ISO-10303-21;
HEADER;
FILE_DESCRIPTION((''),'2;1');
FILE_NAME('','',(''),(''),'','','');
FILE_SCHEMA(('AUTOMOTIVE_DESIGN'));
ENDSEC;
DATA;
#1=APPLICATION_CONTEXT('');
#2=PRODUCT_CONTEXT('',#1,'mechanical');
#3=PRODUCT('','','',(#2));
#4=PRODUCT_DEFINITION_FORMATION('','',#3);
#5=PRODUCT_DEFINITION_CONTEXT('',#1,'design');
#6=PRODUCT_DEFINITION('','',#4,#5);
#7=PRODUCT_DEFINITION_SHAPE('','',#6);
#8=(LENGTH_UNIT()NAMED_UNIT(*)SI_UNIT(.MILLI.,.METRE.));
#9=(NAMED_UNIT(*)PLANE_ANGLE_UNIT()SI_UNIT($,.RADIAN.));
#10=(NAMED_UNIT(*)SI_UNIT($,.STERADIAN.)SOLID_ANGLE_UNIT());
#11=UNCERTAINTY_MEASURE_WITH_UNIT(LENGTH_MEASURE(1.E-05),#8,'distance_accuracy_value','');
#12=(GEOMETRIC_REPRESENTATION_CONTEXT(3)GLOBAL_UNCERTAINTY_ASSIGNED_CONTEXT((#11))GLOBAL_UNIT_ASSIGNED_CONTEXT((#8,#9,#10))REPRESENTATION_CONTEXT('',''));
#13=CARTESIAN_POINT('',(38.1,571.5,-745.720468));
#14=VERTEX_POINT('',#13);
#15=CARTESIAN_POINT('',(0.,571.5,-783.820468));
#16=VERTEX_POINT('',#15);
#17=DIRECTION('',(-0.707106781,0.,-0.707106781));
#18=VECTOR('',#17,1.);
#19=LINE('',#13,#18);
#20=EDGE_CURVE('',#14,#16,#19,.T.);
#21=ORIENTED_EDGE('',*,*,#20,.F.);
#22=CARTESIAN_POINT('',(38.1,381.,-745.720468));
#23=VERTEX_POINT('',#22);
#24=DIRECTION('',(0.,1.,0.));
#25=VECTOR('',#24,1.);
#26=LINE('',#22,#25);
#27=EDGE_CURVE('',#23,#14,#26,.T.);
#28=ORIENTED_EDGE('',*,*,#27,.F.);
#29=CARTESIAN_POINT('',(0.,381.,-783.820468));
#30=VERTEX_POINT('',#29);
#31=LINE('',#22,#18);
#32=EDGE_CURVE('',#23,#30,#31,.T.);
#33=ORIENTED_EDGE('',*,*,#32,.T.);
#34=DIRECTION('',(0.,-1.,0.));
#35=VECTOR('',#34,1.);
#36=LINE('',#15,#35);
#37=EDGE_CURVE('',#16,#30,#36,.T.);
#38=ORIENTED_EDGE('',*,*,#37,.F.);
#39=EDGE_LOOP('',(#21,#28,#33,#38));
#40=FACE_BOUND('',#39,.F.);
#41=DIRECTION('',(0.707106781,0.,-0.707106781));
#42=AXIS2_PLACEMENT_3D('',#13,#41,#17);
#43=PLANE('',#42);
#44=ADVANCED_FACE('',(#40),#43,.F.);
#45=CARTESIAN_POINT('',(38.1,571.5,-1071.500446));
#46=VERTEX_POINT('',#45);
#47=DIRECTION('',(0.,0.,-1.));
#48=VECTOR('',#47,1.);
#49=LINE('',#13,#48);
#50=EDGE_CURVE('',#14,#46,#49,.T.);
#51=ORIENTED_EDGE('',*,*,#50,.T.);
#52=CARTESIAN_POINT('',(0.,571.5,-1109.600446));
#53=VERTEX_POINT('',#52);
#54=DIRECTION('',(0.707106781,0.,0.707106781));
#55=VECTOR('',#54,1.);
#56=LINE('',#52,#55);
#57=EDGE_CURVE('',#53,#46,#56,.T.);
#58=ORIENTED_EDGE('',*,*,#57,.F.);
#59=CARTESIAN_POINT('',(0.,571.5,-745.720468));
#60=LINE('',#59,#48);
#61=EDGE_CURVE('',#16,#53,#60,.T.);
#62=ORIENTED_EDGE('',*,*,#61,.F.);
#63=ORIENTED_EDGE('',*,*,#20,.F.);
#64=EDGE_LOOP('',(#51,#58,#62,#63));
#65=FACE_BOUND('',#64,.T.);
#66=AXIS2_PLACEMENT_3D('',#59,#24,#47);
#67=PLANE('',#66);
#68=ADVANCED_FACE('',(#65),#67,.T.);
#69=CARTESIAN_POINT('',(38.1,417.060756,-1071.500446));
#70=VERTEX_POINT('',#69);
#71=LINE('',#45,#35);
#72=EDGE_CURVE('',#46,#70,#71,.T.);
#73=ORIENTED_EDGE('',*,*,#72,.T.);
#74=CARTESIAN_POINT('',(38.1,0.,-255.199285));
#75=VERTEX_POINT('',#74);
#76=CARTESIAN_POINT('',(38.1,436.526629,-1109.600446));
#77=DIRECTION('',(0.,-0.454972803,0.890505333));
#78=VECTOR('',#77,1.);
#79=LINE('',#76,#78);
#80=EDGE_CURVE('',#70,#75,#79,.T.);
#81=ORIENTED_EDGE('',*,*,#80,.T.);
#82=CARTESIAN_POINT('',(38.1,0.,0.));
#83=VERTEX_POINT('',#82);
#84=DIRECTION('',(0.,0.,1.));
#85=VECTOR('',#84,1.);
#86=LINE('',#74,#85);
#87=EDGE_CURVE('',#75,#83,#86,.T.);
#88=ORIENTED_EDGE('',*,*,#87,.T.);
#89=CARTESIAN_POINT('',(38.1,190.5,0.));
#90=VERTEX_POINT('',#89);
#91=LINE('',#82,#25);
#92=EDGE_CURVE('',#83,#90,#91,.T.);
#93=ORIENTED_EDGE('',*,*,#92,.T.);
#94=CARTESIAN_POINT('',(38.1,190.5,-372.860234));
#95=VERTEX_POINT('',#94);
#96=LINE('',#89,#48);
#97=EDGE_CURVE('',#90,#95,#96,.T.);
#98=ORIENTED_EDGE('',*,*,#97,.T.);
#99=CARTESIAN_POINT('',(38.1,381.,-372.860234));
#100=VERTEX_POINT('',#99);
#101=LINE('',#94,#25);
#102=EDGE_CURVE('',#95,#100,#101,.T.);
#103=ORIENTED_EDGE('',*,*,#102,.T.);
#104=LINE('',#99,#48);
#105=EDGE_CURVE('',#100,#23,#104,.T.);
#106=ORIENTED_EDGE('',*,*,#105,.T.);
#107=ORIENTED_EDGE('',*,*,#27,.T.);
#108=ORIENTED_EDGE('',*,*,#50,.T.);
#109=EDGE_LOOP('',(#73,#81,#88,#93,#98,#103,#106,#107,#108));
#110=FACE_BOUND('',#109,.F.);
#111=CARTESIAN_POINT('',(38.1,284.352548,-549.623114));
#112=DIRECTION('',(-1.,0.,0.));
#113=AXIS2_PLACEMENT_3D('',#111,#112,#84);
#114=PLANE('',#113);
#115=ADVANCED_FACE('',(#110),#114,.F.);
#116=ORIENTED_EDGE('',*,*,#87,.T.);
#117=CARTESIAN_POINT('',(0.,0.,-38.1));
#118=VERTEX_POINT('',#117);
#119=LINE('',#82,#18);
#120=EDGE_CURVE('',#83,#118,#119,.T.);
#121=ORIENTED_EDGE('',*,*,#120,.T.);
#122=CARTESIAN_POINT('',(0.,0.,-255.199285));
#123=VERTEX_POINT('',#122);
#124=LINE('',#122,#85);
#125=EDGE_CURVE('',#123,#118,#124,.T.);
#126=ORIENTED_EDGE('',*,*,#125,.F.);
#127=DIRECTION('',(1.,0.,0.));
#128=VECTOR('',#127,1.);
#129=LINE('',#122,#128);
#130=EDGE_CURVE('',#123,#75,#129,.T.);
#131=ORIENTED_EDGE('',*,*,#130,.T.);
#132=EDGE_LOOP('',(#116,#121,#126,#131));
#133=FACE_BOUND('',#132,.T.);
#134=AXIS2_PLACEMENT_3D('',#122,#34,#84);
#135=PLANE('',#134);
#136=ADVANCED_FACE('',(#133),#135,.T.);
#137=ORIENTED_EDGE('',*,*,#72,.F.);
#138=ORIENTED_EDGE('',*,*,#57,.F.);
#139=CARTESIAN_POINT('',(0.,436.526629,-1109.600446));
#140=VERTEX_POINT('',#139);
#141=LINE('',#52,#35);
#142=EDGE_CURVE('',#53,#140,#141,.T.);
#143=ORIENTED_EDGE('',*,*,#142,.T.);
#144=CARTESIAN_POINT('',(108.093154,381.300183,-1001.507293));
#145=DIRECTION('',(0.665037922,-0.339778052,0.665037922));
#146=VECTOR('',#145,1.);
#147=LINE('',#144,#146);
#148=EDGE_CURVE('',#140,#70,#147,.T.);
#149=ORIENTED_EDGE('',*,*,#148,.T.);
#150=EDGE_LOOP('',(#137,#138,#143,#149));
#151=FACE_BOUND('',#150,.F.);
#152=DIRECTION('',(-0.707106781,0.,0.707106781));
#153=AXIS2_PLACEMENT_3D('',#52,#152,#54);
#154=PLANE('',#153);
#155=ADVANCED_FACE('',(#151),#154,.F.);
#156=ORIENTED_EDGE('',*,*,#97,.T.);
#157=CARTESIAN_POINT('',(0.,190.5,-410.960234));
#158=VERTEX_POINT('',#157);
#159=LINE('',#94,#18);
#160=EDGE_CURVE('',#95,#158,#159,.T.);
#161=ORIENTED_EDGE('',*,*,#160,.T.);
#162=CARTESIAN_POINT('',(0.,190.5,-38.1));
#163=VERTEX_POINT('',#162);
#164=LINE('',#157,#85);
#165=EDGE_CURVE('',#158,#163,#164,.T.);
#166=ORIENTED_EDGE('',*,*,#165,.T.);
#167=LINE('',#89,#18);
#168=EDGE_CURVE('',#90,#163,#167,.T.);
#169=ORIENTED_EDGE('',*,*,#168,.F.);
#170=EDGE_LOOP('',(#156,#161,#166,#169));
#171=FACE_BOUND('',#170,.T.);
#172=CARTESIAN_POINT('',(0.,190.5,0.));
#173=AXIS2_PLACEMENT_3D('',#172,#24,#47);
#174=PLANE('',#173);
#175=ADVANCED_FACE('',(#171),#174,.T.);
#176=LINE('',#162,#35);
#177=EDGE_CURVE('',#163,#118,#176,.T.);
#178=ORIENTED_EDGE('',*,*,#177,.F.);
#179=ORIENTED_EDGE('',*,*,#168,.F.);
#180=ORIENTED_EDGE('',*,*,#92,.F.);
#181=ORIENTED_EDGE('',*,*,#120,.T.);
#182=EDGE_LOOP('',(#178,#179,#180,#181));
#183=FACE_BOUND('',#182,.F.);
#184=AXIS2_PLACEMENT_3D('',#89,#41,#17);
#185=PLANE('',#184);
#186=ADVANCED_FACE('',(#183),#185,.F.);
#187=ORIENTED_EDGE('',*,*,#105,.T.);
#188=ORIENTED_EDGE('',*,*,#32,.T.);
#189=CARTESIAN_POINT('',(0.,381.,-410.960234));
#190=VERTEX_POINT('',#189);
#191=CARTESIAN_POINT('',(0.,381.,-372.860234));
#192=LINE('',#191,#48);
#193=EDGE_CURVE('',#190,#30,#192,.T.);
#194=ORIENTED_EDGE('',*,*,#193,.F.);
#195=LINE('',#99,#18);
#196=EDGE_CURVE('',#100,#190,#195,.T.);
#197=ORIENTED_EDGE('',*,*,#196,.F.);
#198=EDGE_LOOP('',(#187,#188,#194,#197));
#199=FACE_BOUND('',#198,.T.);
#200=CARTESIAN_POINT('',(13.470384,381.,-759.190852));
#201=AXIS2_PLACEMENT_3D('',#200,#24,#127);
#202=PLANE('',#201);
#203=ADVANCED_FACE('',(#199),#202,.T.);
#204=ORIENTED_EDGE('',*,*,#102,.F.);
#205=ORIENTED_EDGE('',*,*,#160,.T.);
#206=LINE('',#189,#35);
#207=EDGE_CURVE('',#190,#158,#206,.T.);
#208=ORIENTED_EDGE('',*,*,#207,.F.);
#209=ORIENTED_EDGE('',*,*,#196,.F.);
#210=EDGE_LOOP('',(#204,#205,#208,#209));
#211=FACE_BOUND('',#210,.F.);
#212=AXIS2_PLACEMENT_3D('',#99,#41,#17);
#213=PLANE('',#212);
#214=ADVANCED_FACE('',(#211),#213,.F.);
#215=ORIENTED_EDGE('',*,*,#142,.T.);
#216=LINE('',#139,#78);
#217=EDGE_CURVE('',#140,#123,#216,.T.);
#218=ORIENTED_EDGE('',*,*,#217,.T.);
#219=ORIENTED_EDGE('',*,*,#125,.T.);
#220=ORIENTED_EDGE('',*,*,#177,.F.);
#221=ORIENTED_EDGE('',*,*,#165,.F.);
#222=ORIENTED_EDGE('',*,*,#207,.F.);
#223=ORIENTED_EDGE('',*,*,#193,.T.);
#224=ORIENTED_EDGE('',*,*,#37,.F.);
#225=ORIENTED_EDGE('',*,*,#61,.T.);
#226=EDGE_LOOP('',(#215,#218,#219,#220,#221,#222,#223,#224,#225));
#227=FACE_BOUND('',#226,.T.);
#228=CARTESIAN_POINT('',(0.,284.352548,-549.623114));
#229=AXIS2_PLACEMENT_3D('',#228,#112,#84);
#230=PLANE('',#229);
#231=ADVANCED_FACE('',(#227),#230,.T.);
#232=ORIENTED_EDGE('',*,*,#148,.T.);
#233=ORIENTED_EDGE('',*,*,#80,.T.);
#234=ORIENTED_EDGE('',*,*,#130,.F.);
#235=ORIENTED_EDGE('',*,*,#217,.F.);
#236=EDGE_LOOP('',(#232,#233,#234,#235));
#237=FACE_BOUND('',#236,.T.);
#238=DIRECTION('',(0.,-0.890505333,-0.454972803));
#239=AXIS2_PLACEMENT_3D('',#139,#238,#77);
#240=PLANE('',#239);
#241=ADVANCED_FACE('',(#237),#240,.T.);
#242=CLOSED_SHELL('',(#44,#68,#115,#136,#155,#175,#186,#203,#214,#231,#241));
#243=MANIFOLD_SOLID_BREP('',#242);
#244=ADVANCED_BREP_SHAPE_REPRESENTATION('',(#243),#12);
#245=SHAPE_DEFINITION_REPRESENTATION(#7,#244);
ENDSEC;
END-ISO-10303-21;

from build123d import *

# Parameters (mm, degrees)
BOSS_EXTRUDE2_DEPTH = 38.1
CUT_EXTRUDE2_REACH  = 573.5
CUT_EXTRUDE3_DEPTH  = 190.5
CUT_EXTRUDE4_DEPTH  = 190.5
CUT_EXTRUDE5_DEPTH  = 190.5


with BuildPart() as part:
    # Sketch1 → Boss-Extrude2 (new body)
    with BuildSketch(Plane(origin=(0, 0, 0), x_dir=(0, 0, -1), z_dir=(1, 0, 0))):
        Polygon((0, 0), (0, 190.5), (372.860234147, 190.5), (372.860234147, 381), (745.720468294, 381), (745.720468294, 571.5), (1109.600446319, 571.5), (1109.600446319, 436.526629402), (255.199284902, 0), align=None)
    extrude(amount=BOSS_EXTRUDE2_DEPTH)

    # Cut-Extrude2: up to this face of the body (flat: up to its plane)
    cut_extrude2_end = Plane(part.part.faces().sort_by_distance((19.05, 218.263314701, -682.399865611))[0])
    # Sketch2 → Cut-Extrude2 (cut, up to the picked face)
    with BuildSketch(Plane(origin=(0, 571.5, 0), x_dir=(1, 0, 0), z_dir=(0, 1, 0)), mode=Mode.PRIVATE) as cut_extrude2_sk1:
        Polygon((38.1, 1109.600446319), (0, 1109.600446319), (38.1, 1071.500446319), align=None)
    cut_extrude2_tool1 = split(extrude(cut_extrude2_sk1.sketch, amount=-CUT_EXTRUDE2_REACH, mode=Mode.PRIVATE), bisect_by=cut_extrude2_end, keep=Keep.BOTH, mode=Mode.PRIVATE)
    add(cut_extrude2_tool1.solids().sort_by_distance((25.4, 571.5, -1096.900446))[0], mode=Mode.SUBTRACT)

    # Sketch2_3 → Cut-Extrude3 (cut)
    with BuildSketch(Plane(origin=(0, 571.5, 0), x_dir=(1, 0, 0), z_dir=(0, 1, 0))):
        Polygon((38.1, 745.720468294), (0, 783.820468294), (0, 745.720468294), align=None)
    extrude(amount=-CUT_EXTRUDE3_DEPTH, mode=Mode.SUBTRACT)

    # Sketch3 → Cut-Extrude4 (cut)
    with BuildSketch(Plane(origin=(0, 381, 0), x_dir=(1, 0, 0), z_dir=(0, 1, 0))):
        Polygon((38.1, 372.860234147), (0, 410.960234147), (0, 372.860234147), align=None)
    extrude(amount=-CUT_EXTRUDE4_DEPTH, mode=Mode.SUBTRACT)

    # Sketch4 → Cut-Extrude5 (cut)
    with BuildSketch(Plane(origin=(0, 190.5, 0), x_dir=(1, 0, 0), z_dir=(0, 1, 0))):
        Polygon((38.1, 0), (0, 38.1), (0, 0), align=None)
    extrude(amount=-CUT_EXTRUDE5_DEPTH, mode=Mode.SUBTRACT)


solid = part.part
